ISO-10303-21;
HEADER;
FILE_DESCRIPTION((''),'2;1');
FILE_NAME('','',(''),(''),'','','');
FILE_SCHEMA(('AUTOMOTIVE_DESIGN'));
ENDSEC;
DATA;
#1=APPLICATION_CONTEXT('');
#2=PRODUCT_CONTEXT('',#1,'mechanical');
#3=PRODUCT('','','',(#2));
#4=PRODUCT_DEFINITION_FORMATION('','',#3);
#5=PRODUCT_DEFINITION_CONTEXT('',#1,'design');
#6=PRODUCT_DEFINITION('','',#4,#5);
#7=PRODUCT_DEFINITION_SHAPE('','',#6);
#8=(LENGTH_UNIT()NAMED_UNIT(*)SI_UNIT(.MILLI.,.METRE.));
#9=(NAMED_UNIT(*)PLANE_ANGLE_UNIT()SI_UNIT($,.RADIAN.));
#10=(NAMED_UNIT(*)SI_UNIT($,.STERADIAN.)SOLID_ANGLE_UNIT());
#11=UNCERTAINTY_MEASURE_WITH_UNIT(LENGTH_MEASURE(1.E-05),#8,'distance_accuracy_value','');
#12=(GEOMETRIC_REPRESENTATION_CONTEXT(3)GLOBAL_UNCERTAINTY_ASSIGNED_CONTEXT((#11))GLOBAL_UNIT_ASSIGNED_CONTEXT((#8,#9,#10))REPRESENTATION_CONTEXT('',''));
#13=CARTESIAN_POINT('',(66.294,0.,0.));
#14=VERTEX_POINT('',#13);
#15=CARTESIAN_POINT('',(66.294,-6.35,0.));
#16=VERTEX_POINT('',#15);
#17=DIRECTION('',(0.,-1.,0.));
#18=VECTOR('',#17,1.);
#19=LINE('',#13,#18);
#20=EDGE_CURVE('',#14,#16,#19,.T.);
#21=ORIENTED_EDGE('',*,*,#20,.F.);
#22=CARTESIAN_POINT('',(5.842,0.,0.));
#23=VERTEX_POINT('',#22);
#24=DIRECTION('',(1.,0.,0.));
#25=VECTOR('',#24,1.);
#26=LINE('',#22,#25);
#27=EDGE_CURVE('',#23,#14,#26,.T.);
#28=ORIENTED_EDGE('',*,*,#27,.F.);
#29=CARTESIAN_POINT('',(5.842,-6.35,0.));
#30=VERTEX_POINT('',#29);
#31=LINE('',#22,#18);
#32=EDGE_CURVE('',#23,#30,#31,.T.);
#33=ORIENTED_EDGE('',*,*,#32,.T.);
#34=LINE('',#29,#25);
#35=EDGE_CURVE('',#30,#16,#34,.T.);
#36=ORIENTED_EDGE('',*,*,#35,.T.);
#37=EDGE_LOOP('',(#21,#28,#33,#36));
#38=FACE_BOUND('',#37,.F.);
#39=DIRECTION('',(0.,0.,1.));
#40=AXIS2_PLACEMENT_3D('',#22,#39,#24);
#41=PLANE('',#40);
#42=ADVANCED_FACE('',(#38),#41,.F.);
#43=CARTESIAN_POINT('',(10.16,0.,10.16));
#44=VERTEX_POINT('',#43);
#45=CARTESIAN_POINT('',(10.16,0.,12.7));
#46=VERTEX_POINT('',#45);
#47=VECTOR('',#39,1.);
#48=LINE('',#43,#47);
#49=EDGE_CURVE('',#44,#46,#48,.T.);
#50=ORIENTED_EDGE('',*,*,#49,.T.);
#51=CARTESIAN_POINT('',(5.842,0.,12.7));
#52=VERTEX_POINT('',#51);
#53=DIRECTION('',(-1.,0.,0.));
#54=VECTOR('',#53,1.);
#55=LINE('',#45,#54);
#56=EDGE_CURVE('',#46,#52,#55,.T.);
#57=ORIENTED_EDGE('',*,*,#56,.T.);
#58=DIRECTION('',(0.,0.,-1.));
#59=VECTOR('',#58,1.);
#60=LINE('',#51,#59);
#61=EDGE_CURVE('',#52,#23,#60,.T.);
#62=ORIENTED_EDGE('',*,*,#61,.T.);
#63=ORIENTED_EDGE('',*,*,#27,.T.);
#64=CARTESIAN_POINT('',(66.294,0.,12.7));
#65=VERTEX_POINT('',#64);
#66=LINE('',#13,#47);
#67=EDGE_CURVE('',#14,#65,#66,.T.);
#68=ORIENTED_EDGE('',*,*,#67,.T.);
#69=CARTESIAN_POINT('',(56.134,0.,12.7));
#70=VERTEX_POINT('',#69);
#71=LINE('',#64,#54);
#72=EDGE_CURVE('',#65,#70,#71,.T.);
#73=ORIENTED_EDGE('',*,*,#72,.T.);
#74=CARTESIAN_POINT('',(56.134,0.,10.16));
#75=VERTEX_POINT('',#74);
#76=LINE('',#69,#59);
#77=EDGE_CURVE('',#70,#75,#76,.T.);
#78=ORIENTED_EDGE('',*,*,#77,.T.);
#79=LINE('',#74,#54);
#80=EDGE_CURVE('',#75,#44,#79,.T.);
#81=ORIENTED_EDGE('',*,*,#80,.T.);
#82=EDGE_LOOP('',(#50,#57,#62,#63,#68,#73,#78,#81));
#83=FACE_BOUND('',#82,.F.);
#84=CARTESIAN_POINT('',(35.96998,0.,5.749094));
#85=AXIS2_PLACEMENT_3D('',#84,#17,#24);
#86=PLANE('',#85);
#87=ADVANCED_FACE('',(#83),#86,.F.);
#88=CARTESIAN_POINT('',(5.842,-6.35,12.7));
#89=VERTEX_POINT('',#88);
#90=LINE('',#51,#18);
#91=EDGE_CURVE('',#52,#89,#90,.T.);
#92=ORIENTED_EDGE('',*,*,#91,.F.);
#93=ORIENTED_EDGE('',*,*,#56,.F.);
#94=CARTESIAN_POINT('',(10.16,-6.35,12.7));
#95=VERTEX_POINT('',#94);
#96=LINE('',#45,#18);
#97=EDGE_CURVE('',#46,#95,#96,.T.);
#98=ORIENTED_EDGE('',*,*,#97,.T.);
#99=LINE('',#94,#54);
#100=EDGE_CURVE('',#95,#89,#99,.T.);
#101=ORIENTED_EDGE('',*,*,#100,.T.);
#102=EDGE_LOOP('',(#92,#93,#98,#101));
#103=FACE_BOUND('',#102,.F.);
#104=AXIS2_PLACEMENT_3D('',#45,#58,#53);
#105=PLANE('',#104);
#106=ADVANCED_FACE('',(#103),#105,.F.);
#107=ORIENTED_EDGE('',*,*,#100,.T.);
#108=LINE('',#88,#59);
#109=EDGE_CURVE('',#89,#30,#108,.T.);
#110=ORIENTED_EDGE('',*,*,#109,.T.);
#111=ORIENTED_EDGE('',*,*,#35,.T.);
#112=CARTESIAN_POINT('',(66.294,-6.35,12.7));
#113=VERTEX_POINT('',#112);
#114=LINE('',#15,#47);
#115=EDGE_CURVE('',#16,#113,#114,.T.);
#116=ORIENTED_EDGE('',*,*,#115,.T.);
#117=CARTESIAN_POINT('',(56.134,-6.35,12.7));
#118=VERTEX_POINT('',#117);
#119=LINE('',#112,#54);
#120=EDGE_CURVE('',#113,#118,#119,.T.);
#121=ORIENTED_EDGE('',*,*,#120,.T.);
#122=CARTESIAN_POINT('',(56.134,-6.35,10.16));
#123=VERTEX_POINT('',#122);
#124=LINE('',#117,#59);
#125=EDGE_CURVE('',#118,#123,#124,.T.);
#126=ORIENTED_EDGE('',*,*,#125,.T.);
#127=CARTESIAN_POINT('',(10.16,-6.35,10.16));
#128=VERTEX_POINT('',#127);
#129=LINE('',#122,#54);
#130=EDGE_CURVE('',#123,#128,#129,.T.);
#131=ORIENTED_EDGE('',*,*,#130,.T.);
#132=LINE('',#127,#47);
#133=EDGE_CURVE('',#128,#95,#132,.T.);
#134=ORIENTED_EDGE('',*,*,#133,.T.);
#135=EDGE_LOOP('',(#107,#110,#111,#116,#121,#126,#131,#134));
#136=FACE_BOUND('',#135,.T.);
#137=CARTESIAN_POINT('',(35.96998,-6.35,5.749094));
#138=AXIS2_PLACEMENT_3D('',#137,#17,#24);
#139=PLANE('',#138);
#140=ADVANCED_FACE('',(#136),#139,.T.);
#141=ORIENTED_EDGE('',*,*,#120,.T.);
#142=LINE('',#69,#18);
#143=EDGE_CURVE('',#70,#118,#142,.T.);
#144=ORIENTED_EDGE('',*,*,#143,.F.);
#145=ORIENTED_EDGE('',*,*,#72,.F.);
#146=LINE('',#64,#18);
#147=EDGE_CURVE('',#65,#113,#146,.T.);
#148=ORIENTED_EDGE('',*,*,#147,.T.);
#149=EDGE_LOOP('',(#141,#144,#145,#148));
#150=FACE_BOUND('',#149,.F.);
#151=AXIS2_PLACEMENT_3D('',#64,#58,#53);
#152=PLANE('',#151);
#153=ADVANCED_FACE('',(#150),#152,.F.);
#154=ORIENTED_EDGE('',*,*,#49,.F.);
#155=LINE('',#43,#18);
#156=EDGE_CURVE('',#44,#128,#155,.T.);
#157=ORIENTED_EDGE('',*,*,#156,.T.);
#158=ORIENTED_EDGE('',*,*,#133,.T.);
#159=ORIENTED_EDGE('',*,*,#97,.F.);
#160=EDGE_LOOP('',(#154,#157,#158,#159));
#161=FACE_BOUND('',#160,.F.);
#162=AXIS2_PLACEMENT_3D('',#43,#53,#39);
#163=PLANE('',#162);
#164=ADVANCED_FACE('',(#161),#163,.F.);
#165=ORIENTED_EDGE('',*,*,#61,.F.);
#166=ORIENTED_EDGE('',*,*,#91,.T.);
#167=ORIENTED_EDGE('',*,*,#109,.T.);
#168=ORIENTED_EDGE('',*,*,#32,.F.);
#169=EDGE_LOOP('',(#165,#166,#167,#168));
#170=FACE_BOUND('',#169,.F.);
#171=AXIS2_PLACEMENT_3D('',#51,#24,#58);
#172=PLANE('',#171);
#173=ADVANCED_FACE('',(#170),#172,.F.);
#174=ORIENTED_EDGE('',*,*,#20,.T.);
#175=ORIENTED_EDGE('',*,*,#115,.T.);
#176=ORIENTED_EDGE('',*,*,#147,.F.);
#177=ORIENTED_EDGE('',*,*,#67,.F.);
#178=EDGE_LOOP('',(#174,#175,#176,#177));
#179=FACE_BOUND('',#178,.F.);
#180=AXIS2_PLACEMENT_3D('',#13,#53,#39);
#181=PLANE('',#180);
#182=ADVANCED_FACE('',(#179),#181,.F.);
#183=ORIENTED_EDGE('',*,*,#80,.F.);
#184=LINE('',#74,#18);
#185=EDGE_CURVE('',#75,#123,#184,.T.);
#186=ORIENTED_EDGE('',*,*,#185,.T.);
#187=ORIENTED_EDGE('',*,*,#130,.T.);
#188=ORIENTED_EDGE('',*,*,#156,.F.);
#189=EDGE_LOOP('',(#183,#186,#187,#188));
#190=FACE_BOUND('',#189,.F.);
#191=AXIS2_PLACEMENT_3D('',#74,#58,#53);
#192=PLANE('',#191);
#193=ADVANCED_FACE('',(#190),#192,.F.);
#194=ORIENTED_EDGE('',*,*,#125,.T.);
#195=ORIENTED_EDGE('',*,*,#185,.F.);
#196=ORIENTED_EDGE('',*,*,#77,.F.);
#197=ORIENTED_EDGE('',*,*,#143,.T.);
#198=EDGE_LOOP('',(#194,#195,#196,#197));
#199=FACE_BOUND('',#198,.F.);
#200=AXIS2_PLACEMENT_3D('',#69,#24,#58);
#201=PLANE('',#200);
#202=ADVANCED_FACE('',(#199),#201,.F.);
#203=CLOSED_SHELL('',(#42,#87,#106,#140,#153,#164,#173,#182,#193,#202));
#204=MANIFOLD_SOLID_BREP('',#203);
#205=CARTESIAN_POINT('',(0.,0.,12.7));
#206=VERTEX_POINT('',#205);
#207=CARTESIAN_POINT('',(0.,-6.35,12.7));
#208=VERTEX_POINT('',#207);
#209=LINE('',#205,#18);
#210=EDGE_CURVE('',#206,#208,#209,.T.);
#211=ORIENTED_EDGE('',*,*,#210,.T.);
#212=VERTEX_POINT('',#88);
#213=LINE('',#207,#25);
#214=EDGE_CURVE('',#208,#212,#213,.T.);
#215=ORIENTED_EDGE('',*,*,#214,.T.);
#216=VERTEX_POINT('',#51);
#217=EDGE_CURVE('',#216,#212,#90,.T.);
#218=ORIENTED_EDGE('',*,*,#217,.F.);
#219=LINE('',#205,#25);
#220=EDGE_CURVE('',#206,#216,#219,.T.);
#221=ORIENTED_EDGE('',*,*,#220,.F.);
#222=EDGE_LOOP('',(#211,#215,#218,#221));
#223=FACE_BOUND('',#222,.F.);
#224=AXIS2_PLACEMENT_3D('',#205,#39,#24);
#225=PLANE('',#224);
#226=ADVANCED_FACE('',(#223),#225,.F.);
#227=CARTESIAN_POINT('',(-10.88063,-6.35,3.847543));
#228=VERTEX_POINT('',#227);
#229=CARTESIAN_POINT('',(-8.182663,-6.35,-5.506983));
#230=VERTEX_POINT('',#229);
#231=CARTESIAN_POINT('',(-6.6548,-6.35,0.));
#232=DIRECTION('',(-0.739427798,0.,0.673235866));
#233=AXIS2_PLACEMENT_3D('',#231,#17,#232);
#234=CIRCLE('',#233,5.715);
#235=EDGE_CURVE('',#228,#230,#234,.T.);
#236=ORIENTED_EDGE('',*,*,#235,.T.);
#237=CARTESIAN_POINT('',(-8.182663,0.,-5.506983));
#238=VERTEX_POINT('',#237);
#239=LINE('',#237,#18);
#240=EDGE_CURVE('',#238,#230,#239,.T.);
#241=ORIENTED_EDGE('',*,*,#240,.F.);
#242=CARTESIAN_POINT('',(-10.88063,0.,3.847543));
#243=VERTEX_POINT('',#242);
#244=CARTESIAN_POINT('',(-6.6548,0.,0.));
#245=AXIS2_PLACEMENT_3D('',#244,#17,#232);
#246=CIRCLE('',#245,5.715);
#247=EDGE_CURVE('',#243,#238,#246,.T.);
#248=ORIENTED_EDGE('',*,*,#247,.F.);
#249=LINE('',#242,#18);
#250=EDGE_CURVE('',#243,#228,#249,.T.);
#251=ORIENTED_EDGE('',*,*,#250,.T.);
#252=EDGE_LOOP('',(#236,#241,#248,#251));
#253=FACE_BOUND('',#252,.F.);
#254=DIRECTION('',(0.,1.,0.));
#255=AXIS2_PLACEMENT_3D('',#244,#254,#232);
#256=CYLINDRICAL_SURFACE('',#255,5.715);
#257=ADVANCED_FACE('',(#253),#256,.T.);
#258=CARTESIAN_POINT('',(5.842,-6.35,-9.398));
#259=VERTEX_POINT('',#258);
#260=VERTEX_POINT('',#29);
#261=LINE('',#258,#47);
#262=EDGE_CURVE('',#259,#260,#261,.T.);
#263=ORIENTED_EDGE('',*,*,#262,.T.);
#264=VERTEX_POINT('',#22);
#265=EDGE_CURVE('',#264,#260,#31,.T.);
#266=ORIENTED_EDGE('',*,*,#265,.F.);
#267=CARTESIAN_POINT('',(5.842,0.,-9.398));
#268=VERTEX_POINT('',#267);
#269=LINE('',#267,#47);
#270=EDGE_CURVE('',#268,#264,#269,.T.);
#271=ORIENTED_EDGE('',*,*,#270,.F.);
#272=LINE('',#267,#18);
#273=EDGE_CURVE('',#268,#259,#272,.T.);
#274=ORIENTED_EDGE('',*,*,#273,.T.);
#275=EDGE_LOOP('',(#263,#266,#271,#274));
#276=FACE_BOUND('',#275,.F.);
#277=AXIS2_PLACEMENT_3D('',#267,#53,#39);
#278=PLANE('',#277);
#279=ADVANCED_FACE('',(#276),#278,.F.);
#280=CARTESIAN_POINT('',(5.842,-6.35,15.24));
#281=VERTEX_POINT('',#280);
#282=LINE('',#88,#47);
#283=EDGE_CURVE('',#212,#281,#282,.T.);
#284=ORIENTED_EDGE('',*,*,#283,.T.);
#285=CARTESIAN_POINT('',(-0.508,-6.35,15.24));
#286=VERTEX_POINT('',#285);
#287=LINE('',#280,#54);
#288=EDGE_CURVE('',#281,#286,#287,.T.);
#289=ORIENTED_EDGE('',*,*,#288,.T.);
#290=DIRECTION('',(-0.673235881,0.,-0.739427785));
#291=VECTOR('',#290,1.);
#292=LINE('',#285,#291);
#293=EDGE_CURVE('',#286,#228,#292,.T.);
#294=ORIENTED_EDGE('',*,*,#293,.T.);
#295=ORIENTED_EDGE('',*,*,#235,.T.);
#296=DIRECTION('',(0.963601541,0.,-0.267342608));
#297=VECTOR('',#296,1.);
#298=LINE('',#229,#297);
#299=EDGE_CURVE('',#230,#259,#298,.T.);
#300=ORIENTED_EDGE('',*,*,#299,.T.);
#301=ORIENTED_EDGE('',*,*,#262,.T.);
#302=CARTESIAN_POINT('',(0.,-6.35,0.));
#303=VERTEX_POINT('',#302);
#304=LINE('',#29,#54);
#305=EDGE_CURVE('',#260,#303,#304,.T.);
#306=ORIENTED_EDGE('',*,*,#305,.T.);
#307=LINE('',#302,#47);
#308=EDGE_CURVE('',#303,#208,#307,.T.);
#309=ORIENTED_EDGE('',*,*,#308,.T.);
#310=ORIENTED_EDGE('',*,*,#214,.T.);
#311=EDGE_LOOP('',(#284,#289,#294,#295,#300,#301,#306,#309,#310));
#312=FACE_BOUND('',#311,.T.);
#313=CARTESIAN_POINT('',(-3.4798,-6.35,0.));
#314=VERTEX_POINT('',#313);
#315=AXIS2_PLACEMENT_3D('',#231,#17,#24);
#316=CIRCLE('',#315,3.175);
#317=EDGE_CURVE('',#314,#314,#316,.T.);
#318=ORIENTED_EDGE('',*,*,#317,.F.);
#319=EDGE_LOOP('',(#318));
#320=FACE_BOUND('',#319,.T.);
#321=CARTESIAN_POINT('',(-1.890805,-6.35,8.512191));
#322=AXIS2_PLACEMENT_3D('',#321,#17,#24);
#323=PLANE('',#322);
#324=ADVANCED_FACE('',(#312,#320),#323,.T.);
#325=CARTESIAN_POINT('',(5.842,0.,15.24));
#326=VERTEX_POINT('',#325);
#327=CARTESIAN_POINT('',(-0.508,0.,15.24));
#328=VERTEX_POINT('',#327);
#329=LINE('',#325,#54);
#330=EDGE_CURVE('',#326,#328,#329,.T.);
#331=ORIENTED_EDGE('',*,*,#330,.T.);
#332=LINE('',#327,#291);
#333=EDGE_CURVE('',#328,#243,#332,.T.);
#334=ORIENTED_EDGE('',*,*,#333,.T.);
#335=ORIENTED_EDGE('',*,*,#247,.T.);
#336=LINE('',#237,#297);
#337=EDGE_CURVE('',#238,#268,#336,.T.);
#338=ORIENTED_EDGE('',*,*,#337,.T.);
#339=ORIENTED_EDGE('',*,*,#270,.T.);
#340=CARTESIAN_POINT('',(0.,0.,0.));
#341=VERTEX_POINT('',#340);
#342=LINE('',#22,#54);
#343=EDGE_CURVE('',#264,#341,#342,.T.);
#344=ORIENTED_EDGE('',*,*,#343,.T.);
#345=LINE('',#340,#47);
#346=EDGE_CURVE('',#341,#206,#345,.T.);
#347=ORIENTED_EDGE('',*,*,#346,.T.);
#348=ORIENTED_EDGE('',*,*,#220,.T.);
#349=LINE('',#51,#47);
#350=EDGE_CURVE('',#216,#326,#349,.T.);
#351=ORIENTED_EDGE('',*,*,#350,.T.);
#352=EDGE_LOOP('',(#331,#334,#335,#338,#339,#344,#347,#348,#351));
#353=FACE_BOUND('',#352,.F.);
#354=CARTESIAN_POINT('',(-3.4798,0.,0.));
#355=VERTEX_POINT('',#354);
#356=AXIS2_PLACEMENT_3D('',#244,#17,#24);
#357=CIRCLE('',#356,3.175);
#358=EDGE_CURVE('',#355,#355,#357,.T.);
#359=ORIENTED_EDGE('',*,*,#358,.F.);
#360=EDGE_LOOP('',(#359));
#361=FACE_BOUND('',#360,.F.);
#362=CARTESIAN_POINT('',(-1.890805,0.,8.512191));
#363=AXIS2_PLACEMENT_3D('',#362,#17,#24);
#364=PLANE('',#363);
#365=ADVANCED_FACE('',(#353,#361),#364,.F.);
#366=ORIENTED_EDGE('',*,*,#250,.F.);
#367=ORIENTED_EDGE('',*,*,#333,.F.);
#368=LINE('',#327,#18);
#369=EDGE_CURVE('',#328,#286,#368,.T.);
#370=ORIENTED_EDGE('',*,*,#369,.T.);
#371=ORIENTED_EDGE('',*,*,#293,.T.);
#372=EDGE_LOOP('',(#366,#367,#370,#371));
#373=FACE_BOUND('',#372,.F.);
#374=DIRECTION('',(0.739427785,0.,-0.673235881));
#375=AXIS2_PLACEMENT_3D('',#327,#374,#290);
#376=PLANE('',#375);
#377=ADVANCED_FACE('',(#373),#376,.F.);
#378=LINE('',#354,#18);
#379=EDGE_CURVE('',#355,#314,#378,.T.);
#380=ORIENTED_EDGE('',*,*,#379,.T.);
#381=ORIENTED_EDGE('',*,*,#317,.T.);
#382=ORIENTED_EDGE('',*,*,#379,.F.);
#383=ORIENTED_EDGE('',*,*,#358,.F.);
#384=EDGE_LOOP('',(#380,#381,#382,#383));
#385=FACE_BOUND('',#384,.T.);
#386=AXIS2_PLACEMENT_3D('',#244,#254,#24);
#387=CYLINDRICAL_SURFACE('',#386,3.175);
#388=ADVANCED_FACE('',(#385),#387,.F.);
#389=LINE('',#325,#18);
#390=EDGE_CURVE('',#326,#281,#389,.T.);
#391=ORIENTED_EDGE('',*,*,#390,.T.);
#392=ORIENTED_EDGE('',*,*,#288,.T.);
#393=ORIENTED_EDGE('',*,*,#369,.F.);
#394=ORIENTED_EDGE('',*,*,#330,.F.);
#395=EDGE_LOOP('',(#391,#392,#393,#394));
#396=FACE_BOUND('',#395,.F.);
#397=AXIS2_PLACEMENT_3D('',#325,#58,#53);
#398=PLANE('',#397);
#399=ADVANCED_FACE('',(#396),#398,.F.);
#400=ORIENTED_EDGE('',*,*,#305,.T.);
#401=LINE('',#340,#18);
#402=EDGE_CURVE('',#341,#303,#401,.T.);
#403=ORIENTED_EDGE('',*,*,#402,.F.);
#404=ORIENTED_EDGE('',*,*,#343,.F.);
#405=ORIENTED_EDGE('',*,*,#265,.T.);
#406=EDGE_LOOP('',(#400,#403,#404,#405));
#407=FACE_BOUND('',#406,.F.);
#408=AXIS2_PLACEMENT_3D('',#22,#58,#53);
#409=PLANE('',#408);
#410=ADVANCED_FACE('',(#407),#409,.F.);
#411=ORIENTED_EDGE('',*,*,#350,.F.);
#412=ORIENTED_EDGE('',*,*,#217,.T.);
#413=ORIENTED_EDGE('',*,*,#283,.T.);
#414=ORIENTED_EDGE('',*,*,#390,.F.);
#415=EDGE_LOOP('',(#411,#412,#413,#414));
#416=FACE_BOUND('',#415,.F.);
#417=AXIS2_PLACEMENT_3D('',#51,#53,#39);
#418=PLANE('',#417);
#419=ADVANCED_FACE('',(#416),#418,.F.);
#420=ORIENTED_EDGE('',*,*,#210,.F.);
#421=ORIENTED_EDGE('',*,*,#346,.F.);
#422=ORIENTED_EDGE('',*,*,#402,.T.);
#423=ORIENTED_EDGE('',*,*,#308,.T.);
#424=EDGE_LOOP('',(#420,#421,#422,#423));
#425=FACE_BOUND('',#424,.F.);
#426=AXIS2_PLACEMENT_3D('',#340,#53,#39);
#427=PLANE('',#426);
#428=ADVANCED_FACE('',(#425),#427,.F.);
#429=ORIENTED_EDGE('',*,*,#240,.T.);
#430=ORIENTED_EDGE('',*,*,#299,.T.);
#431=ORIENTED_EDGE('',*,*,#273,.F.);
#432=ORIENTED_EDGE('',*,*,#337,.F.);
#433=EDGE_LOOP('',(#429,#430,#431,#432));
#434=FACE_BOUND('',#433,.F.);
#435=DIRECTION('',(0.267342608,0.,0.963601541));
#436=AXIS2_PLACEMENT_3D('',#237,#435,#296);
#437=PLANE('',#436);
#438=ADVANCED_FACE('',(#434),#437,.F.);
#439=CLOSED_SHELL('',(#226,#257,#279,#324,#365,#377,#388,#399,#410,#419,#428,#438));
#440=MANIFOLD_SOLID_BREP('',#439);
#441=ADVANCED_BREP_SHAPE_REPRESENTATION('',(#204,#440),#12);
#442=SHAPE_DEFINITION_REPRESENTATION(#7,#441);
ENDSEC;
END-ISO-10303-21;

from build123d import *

# Parameters (mm, degrees)
F0_R     = 3.175
F1_DEPTH = 6.35


with BuildPart() as f1:
    # F0 (on Front) → F1 (new body)
    with BuildSketch(Plane.XZ):
        with BuildLine():
            Line((-0.9398, 0), (0, 0))
            Line((0, 0), (0, 12.7))
            Line((0, 12.7), (5.842, 12.7))
            Line((5.842, 12.7), (5.842, 15.24))
            Line((5.842, 15.24), (-0.508, 15.24))
            Line((-0.508, 15.24), (-10.88063, 3.847543))
            ThreePointArc((-10.88063, 3.847543), (-4.591961, 5.329721), (-0.9398, 0))
        make_face()
        with BuildLine():
            ThreePointArc((-8.182663, -5.506983), (-3.195791, -4.549339), (-0.9398, 0))
            ThreePointArc((-0.9398, 0), (-4.591961, 5.329721), (-10.88063, 3.847543))
            ThreePointArc((-10.88063, 3.847543), (-12.145978, -1.583727), (-8.182663, -5.506983))
        make_face()
        with Locations((-6.6548, 0)):
            Circle(F0_R, mode=Mode.SUBTRACT)
        with BuildLine():
            Line((5.842, 0), (0, 0))
            Line((0, 0), (-0.9398, 0))
            ThreePointArc((-0.9398, 0), (-3.195791, -4.549339), (-8.182663, -5.506983))
            Line((-8.182663, -5.506983), (5.842, -9.398))
            Line((5.842, -9.398), (5.842, 0))
        make_face()
        Polygon((5.842, 12.7), (5.842, 0), (66.294, 0), (66.294, 12.7), (56.134, 12.7), (56.134, 10.16), (10.16, 10.16), (10.16, 12.7), align=None)
    extrude(amount=F1_DEPTH)


solid = f1.part
